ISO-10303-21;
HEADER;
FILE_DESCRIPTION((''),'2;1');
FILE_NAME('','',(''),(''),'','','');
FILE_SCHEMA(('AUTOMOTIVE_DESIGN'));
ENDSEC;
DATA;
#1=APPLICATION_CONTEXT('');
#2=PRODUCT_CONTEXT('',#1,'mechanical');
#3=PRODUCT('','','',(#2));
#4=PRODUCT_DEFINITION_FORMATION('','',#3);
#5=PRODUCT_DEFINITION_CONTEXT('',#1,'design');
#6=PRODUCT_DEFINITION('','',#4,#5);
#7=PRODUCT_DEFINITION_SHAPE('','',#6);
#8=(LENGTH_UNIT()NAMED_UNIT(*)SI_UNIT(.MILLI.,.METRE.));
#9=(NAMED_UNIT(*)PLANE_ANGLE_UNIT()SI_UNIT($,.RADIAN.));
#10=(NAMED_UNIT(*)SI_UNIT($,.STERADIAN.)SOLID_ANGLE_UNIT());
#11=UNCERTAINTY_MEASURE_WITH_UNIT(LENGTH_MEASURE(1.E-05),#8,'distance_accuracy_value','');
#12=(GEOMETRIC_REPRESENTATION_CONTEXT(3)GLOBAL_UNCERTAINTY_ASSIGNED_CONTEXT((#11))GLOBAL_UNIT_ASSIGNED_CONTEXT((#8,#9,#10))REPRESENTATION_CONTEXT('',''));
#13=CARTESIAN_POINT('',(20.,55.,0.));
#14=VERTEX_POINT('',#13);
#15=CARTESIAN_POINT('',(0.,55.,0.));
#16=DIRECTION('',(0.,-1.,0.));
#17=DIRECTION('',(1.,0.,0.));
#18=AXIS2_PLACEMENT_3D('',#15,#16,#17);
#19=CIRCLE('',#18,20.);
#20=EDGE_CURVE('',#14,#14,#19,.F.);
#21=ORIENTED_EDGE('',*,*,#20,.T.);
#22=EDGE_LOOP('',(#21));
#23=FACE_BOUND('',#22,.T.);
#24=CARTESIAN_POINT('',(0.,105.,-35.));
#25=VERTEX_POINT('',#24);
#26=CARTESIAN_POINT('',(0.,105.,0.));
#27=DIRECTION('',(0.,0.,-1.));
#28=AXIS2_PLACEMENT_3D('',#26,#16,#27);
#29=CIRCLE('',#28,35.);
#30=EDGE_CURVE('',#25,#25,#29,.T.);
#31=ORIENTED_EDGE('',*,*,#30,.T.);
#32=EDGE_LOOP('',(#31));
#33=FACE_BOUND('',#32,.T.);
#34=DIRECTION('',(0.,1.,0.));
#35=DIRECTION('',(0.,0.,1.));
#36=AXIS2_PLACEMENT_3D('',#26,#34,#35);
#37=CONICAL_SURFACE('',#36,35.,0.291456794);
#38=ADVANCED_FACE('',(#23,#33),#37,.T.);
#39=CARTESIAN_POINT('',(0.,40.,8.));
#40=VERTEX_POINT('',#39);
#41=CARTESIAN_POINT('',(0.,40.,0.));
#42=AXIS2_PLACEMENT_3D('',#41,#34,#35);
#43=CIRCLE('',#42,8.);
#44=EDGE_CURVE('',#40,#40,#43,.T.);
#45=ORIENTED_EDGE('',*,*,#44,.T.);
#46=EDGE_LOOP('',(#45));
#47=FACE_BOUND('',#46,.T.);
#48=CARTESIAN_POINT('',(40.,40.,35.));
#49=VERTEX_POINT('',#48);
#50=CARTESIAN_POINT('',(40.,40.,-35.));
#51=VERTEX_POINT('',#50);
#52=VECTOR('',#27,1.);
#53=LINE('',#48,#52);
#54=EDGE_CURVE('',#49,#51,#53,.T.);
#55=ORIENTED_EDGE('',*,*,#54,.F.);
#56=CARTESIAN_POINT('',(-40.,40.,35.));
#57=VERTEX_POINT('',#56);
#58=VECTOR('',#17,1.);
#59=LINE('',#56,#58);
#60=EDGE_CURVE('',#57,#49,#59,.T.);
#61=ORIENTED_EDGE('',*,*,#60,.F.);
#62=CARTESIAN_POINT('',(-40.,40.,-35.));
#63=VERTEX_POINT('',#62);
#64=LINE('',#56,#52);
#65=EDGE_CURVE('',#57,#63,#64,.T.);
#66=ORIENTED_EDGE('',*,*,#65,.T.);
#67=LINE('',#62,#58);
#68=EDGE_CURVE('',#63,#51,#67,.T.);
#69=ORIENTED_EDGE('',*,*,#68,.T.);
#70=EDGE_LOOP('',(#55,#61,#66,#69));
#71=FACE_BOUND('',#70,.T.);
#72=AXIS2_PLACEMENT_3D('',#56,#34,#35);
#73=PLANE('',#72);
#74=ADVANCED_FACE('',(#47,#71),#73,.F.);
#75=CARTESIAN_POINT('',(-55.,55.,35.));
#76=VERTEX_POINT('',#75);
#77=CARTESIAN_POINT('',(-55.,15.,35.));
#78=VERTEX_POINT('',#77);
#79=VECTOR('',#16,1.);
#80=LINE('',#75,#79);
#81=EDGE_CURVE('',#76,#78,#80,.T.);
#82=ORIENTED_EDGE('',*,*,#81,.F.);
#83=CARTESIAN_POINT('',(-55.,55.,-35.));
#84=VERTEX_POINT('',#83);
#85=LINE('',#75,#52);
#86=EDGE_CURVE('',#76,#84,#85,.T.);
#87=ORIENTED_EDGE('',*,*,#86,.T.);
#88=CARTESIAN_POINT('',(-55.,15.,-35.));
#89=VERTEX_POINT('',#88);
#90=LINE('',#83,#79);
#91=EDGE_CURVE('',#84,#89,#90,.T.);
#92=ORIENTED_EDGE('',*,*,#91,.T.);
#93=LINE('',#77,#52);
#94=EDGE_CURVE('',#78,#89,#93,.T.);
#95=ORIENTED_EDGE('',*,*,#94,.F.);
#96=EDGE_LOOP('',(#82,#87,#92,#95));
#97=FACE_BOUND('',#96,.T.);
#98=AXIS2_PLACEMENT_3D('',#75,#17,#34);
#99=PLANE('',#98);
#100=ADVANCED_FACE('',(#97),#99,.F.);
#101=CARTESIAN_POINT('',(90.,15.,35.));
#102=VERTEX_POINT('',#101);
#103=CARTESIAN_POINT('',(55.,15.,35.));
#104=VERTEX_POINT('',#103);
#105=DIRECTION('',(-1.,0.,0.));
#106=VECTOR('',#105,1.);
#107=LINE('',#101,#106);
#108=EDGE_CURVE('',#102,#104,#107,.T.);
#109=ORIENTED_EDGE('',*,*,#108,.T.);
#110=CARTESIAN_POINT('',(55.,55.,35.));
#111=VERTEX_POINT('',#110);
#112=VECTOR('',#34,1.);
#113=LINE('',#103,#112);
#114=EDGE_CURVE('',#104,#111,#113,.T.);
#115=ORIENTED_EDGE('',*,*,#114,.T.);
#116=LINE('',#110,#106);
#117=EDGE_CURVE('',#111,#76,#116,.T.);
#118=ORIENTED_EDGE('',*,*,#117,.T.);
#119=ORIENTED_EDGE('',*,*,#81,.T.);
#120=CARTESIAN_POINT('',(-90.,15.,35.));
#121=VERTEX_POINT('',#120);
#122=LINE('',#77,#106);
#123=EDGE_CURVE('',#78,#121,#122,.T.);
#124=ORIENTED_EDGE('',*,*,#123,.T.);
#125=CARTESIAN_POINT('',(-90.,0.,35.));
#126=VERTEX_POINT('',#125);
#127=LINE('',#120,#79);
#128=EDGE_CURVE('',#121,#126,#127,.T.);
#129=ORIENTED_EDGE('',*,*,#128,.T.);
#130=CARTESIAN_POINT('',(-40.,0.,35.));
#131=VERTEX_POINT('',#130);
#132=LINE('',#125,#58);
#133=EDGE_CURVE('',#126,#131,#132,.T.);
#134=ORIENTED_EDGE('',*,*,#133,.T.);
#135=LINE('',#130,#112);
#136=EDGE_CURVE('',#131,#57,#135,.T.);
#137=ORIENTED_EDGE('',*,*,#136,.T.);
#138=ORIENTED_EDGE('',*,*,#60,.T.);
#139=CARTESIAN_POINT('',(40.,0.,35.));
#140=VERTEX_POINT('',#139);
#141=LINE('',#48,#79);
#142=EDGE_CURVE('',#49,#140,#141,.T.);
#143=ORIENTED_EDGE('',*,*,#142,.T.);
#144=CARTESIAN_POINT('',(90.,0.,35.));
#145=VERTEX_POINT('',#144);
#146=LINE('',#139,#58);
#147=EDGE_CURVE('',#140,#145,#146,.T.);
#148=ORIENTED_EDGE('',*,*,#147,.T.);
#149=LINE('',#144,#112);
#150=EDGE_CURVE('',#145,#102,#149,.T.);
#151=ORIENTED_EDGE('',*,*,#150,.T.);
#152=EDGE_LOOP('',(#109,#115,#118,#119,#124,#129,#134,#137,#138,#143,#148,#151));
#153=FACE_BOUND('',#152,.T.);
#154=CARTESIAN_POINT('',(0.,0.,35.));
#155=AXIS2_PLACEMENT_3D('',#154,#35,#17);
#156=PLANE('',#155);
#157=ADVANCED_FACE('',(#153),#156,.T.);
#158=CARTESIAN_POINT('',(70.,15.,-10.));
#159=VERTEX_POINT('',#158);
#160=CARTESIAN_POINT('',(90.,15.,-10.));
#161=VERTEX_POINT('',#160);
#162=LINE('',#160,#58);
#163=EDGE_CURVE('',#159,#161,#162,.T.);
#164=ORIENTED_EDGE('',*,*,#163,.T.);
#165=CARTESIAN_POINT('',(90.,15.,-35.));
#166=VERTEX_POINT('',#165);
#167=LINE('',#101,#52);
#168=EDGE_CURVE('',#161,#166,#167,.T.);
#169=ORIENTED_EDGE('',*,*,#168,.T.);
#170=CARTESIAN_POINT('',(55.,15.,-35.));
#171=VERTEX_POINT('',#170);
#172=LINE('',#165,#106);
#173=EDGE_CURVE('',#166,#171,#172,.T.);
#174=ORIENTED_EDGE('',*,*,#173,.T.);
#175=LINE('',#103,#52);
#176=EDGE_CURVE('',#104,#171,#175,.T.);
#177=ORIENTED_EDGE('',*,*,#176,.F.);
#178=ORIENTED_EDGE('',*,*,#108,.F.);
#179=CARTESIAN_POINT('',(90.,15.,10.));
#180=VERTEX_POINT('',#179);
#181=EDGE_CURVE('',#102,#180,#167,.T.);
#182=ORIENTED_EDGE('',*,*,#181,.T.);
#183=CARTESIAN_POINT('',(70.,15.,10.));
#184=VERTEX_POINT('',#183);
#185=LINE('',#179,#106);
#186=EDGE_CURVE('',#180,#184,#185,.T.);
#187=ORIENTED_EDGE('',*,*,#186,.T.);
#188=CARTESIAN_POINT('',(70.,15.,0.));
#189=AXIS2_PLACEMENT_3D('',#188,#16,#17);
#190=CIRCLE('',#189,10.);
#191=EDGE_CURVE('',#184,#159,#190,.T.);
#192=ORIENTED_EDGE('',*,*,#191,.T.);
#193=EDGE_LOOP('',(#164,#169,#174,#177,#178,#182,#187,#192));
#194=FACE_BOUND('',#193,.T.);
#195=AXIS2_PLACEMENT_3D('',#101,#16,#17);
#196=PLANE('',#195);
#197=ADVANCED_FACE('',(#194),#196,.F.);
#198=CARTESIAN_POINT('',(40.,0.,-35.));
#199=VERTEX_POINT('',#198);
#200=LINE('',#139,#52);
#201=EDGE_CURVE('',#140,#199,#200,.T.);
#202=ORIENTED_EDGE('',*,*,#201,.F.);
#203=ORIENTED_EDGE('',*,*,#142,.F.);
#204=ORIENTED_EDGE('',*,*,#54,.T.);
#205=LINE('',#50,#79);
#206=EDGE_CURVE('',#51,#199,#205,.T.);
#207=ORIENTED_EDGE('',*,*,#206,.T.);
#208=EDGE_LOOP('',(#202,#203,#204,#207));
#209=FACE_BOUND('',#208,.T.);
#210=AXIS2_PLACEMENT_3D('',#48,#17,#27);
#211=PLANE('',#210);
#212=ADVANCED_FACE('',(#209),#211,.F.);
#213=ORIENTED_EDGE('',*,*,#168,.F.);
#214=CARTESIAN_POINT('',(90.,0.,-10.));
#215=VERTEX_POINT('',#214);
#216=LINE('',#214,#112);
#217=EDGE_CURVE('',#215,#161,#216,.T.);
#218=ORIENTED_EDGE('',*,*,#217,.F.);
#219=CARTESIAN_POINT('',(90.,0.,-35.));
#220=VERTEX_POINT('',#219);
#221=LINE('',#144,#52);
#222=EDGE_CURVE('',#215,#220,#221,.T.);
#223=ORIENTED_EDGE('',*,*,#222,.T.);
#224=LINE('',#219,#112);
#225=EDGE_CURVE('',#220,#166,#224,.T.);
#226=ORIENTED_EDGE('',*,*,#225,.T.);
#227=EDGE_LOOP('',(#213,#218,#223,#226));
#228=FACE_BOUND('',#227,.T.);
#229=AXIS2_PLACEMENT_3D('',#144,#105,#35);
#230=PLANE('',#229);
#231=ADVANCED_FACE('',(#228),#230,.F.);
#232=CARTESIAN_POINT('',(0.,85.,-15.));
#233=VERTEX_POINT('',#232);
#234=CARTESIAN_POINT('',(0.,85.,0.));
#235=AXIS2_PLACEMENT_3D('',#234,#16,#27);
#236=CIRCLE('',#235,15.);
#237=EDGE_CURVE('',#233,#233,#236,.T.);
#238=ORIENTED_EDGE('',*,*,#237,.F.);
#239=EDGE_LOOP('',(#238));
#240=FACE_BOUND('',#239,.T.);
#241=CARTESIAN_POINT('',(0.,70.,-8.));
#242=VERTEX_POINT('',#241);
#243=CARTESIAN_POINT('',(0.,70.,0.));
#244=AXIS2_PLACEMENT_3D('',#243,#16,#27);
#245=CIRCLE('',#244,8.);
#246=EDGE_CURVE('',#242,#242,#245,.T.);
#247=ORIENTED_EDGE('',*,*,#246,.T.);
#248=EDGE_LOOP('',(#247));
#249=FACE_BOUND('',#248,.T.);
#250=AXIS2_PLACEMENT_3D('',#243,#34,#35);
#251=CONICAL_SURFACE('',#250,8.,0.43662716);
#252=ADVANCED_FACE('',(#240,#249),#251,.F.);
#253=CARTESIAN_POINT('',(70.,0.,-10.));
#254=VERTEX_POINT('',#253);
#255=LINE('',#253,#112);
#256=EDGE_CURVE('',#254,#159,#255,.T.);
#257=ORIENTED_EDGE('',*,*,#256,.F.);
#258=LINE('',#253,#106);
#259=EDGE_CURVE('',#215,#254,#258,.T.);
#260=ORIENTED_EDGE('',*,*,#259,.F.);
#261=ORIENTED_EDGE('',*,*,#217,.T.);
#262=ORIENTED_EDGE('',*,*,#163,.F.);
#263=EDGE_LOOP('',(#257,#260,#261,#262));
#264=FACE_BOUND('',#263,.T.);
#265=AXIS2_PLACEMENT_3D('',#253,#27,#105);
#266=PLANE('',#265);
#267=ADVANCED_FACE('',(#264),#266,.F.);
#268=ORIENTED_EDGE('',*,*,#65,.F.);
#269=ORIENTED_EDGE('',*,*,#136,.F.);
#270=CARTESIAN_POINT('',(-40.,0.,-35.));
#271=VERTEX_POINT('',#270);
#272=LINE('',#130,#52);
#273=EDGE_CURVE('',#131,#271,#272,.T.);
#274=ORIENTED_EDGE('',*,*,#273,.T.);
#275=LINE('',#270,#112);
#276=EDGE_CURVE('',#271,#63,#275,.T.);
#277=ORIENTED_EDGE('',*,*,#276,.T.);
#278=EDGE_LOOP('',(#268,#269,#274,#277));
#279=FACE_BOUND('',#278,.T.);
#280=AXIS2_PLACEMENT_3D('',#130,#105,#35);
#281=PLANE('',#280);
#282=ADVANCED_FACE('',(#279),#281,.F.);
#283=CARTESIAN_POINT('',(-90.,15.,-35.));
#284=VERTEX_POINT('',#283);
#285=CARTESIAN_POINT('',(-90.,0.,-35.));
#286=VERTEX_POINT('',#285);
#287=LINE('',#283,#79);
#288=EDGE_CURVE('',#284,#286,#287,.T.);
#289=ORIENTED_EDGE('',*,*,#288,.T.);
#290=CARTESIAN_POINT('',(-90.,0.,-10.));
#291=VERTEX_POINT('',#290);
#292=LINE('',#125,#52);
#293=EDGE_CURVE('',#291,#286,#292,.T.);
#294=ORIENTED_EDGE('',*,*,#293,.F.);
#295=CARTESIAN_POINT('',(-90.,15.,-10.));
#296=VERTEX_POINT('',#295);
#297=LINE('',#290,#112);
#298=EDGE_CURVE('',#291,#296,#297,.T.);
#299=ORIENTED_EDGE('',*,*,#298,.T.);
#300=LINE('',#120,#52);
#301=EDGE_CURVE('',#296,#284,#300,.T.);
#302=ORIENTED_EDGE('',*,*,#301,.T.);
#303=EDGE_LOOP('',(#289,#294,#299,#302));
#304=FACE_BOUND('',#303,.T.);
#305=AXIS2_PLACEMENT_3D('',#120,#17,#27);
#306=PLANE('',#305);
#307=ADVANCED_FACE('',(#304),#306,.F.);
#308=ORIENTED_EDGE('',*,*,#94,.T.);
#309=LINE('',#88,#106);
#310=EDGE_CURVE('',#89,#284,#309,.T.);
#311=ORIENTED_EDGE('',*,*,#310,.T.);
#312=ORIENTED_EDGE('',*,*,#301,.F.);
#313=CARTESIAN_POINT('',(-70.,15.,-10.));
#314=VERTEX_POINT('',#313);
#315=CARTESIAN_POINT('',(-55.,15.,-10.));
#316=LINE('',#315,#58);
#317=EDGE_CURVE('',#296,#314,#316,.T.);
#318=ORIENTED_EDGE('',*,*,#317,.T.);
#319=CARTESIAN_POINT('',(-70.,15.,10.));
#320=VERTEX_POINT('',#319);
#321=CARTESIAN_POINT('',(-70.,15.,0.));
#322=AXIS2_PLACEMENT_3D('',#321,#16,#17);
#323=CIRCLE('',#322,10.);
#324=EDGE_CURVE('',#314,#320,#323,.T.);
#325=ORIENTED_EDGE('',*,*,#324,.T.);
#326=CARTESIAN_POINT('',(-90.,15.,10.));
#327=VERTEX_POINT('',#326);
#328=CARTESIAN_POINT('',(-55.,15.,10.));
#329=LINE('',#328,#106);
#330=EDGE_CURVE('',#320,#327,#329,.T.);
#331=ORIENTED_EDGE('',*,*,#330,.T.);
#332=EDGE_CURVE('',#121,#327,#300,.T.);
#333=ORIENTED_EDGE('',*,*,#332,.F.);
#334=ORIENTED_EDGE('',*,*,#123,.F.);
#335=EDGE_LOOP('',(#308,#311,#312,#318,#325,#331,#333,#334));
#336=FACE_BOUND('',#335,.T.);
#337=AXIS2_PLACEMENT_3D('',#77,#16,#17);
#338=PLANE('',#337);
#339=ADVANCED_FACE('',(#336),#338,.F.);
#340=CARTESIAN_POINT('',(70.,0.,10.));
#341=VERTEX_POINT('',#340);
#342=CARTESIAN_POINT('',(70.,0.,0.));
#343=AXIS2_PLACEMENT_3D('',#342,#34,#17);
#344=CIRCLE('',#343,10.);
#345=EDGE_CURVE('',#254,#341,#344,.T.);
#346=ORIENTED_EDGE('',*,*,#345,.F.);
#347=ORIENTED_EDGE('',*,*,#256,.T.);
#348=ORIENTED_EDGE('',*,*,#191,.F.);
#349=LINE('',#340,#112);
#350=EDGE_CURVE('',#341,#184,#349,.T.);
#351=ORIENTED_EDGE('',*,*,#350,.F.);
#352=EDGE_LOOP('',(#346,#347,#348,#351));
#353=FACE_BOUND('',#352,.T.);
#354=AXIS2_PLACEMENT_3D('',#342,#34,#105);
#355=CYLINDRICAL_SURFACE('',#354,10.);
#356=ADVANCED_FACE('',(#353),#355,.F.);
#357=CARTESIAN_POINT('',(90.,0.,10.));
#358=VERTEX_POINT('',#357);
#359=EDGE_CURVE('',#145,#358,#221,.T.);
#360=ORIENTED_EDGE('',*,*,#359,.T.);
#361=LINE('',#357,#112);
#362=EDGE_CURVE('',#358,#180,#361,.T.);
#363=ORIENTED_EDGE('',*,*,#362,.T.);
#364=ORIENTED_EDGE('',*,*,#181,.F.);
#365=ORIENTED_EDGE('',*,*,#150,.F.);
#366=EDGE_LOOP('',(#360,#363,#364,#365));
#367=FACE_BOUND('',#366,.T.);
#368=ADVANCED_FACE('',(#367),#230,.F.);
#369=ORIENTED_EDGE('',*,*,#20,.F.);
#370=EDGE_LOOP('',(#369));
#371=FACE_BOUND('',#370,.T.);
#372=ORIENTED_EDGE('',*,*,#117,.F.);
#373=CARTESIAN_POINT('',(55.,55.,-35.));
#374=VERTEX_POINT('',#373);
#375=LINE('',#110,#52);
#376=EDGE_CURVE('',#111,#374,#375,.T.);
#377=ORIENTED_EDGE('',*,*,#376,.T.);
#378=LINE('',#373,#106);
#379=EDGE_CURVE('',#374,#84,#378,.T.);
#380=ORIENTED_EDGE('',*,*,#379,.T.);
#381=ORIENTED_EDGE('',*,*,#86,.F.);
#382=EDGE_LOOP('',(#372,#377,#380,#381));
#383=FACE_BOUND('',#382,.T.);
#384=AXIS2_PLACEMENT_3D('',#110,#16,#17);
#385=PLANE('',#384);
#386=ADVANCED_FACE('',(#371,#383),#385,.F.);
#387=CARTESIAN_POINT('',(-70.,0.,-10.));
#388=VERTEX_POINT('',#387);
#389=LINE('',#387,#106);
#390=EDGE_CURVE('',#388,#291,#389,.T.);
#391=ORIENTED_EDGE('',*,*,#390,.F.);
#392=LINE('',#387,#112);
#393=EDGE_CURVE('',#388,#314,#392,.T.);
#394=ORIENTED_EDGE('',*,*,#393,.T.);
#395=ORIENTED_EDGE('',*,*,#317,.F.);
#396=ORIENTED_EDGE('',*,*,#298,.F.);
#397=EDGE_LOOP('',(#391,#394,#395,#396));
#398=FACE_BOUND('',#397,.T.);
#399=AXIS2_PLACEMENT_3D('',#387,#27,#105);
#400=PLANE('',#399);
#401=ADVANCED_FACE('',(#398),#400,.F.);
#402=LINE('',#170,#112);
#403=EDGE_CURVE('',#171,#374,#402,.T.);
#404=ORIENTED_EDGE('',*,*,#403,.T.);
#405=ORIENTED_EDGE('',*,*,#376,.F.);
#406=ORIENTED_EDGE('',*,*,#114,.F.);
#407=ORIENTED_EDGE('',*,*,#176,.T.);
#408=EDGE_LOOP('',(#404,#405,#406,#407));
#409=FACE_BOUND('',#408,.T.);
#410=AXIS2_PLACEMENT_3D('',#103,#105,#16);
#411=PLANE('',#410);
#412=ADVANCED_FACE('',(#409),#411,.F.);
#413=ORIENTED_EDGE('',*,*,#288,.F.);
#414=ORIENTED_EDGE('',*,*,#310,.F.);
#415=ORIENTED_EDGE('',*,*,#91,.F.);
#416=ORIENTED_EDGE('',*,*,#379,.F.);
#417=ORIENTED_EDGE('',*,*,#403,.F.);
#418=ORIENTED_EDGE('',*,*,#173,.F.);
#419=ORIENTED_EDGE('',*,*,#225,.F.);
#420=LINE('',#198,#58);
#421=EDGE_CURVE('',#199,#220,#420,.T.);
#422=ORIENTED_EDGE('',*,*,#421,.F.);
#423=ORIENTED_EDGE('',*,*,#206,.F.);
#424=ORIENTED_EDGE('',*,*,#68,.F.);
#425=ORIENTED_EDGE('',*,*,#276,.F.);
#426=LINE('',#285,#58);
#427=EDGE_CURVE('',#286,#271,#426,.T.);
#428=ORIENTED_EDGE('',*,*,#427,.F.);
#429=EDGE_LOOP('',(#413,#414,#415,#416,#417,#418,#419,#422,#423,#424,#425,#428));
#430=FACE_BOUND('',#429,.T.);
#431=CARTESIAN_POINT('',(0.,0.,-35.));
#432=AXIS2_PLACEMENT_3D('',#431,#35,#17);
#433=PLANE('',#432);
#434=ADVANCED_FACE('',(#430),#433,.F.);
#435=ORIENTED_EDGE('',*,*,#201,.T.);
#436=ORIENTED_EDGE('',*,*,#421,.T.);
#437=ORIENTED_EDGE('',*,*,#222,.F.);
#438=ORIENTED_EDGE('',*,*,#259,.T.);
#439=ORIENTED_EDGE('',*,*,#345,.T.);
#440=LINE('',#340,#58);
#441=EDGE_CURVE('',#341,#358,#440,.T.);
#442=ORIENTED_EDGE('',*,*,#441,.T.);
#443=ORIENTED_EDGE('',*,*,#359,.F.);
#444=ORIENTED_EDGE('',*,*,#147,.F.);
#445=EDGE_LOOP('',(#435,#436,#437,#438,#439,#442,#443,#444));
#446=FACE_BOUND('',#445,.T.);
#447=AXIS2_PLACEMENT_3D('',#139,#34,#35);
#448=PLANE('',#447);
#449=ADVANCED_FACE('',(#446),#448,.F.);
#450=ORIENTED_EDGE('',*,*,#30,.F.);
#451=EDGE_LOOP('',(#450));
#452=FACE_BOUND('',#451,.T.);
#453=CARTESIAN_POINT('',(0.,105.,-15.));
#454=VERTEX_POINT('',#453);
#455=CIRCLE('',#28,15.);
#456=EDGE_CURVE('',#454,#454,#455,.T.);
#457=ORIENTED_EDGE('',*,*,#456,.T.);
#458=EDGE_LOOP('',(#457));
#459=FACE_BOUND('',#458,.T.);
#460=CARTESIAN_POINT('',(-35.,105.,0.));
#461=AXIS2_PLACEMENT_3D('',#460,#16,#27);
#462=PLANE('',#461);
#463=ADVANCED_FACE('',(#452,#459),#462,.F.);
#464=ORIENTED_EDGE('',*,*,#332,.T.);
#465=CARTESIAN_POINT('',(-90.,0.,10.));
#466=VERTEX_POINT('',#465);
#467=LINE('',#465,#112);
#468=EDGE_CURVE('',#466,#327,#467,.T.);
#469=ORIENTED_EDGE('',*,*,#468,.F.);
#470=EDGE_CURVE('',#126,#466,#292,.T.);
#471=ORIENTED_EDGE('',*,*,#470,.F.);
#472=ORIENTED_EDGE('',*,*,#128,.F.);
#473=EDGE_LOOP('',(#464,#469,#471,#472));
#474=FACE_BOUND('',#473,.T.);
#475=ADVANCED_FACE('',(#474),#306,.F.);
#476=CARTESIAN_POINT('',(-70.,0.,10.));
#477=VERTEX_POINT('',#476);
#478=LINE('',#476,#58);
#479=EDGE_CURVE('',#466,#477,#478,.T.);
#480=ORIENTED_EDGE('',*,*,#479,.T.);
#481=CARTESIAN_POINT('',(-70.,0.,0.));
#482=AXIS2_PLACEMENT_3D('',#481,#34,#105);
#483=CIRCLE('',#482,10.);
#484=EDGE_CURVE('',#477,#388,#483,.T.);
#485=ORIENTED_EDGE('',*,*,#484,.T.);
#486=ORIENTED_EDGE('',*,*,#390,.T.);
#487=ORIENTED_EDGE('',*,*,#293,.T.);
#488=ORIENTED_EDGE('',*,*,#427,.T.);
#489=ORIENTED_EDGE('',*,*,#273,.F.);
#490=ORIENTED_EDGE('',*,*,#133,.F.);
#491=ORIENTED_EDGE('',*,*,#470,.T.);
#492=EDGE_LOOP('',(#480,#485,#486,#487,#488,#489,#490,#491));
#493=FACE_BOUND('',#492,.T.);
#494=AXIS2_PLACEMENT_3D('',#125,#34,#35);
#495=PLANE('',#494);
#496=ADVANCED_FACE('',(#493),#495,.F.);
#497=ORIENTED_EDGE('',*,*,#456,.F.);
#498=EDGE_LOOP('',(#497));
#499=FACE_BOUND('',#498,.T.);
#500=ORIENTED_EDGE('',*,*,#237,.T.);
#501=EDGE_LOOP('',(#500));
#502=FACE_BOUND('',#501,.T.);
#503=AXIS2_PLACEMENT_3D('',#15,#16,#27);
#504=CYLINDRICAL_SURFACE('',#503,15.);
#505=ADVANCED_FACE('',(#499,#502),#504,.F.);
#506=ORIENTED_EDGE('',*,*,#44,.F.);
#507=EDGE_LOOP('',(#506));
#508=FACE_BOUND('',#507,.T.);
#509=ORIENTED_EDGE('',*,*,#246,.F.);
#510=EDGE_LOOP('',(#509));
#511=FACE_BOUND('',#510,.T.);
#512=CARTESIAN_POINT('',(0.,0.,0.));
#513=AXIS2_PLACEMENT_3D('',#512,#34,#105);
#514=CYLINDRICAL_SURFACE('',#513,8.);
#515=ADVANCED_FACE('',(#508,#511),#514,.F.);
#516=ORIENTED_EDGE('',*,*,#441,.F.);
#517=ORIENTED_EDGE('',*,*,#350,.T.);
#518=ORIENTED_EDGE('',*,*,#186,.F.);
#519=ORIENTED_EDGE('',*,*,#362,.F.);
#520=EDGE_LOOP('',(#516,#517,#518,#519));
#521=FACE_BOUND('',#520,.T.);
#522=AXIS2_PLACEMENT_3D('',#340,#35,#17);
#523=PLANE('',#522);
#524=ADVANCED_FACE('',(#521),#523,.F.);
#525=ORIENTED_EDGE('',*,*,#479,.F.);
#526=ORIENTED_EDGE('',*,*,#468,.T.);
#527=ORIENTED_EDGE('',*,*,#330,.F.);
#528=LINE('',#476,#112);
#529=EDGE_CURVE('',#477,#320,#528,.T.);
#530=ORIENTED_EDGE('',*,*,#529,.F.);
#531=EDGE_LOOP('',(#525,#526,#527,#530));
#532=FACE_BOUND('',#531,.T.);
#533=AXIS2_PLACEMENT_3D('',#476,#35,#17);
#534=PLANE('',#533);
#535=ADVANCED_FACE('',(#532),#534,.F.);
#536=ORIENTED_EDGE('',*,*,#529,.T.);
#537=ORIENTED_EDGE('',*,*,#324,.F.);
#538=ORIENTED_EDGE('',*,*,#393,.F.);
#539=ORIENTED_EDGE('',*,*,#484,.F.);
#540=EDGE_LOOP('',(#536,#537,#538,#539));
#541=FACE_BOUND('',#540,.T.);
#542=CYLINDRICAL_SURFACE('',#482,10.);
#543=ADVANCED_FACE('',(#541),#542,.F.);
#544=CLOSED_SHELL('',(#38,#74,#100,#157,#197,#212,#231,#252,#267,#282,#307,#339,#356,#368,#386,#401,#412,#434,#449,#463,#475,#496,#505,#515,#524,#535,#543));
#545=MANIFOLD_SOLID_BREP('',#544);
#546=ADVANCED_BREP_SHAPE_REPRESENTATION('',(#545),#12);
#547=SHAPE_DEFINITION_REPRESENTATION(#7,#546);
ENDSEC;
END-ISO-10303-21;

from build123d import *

# Parameters (mm, degrees)
BOSS_EXTRUDE1_DEPTH = 35
SKETCH4_R           = 8
CUT_EXTRUDE1_DEPTH  = 112.130553854


with BuildPart() as part:
    # Sketch2 → Boss-Extrude1 (new, symmetric)
    with BuildSketch(Plane.XY):
        Polygon((-90, 0), (-40, 0), (-40, 40), (40, 40), (40, 0), (90, 0), (90, 15), (55, 15), (55, 55), (-55, 55), (-55, 15), (-90, 15), align=None)
    extrude(amount=BOSS_EXTRUDE1_DEPTH, both=True)

    # Sketch4 → Cut-Extrude1 (cut, through all)
    with BuildSketch(Plane(origin=(0, 55, 0), x_dir=(1, 0, 0), z_dir=(0, 1, 0))):
        with Locations(Location((0, 0, 0), (0, 0, 180))):
            Circle(SKETCH4_R)
        with BuildLine():
            Line((-70, 10), (-90, 10))
            Line((-90, 10), (-90, -10))
            Line((-90, -10), (-70, -10))
            ThreePointArc((-70, -10), (-60, 0), (-70, 10))
        make_face()
        with BuildLine():
            Line((90, -10), (90, 10))
            Line((90, 10), (70, 10))
            ThreePointArc((70, 10), (60, 0), (70, -10))
            Line((70, -10), (90, -10))
        make_face()
    extrude(amount=-CUT_EXTRUDE1_DEPTH, mode=Mode.SUBTRACT)

    # Sketch5 → Revolve1 (revolve)
    with BuildSketch(Plane.XY, mode=Mode.PRIVATE) as revolve1_sk:
        Polygon((-35, 105), (-20, 55), (-8, 55), (-8, 70), (-15, 85), (-15, 105), align=None)
    revolve(revolve1_sk.sketch.rotate(Axis((0, 55, 0), (0, 1, 0)), 180), axis=Axis((0, 55, 0), (0, 1, 0)))


solid = part.part
